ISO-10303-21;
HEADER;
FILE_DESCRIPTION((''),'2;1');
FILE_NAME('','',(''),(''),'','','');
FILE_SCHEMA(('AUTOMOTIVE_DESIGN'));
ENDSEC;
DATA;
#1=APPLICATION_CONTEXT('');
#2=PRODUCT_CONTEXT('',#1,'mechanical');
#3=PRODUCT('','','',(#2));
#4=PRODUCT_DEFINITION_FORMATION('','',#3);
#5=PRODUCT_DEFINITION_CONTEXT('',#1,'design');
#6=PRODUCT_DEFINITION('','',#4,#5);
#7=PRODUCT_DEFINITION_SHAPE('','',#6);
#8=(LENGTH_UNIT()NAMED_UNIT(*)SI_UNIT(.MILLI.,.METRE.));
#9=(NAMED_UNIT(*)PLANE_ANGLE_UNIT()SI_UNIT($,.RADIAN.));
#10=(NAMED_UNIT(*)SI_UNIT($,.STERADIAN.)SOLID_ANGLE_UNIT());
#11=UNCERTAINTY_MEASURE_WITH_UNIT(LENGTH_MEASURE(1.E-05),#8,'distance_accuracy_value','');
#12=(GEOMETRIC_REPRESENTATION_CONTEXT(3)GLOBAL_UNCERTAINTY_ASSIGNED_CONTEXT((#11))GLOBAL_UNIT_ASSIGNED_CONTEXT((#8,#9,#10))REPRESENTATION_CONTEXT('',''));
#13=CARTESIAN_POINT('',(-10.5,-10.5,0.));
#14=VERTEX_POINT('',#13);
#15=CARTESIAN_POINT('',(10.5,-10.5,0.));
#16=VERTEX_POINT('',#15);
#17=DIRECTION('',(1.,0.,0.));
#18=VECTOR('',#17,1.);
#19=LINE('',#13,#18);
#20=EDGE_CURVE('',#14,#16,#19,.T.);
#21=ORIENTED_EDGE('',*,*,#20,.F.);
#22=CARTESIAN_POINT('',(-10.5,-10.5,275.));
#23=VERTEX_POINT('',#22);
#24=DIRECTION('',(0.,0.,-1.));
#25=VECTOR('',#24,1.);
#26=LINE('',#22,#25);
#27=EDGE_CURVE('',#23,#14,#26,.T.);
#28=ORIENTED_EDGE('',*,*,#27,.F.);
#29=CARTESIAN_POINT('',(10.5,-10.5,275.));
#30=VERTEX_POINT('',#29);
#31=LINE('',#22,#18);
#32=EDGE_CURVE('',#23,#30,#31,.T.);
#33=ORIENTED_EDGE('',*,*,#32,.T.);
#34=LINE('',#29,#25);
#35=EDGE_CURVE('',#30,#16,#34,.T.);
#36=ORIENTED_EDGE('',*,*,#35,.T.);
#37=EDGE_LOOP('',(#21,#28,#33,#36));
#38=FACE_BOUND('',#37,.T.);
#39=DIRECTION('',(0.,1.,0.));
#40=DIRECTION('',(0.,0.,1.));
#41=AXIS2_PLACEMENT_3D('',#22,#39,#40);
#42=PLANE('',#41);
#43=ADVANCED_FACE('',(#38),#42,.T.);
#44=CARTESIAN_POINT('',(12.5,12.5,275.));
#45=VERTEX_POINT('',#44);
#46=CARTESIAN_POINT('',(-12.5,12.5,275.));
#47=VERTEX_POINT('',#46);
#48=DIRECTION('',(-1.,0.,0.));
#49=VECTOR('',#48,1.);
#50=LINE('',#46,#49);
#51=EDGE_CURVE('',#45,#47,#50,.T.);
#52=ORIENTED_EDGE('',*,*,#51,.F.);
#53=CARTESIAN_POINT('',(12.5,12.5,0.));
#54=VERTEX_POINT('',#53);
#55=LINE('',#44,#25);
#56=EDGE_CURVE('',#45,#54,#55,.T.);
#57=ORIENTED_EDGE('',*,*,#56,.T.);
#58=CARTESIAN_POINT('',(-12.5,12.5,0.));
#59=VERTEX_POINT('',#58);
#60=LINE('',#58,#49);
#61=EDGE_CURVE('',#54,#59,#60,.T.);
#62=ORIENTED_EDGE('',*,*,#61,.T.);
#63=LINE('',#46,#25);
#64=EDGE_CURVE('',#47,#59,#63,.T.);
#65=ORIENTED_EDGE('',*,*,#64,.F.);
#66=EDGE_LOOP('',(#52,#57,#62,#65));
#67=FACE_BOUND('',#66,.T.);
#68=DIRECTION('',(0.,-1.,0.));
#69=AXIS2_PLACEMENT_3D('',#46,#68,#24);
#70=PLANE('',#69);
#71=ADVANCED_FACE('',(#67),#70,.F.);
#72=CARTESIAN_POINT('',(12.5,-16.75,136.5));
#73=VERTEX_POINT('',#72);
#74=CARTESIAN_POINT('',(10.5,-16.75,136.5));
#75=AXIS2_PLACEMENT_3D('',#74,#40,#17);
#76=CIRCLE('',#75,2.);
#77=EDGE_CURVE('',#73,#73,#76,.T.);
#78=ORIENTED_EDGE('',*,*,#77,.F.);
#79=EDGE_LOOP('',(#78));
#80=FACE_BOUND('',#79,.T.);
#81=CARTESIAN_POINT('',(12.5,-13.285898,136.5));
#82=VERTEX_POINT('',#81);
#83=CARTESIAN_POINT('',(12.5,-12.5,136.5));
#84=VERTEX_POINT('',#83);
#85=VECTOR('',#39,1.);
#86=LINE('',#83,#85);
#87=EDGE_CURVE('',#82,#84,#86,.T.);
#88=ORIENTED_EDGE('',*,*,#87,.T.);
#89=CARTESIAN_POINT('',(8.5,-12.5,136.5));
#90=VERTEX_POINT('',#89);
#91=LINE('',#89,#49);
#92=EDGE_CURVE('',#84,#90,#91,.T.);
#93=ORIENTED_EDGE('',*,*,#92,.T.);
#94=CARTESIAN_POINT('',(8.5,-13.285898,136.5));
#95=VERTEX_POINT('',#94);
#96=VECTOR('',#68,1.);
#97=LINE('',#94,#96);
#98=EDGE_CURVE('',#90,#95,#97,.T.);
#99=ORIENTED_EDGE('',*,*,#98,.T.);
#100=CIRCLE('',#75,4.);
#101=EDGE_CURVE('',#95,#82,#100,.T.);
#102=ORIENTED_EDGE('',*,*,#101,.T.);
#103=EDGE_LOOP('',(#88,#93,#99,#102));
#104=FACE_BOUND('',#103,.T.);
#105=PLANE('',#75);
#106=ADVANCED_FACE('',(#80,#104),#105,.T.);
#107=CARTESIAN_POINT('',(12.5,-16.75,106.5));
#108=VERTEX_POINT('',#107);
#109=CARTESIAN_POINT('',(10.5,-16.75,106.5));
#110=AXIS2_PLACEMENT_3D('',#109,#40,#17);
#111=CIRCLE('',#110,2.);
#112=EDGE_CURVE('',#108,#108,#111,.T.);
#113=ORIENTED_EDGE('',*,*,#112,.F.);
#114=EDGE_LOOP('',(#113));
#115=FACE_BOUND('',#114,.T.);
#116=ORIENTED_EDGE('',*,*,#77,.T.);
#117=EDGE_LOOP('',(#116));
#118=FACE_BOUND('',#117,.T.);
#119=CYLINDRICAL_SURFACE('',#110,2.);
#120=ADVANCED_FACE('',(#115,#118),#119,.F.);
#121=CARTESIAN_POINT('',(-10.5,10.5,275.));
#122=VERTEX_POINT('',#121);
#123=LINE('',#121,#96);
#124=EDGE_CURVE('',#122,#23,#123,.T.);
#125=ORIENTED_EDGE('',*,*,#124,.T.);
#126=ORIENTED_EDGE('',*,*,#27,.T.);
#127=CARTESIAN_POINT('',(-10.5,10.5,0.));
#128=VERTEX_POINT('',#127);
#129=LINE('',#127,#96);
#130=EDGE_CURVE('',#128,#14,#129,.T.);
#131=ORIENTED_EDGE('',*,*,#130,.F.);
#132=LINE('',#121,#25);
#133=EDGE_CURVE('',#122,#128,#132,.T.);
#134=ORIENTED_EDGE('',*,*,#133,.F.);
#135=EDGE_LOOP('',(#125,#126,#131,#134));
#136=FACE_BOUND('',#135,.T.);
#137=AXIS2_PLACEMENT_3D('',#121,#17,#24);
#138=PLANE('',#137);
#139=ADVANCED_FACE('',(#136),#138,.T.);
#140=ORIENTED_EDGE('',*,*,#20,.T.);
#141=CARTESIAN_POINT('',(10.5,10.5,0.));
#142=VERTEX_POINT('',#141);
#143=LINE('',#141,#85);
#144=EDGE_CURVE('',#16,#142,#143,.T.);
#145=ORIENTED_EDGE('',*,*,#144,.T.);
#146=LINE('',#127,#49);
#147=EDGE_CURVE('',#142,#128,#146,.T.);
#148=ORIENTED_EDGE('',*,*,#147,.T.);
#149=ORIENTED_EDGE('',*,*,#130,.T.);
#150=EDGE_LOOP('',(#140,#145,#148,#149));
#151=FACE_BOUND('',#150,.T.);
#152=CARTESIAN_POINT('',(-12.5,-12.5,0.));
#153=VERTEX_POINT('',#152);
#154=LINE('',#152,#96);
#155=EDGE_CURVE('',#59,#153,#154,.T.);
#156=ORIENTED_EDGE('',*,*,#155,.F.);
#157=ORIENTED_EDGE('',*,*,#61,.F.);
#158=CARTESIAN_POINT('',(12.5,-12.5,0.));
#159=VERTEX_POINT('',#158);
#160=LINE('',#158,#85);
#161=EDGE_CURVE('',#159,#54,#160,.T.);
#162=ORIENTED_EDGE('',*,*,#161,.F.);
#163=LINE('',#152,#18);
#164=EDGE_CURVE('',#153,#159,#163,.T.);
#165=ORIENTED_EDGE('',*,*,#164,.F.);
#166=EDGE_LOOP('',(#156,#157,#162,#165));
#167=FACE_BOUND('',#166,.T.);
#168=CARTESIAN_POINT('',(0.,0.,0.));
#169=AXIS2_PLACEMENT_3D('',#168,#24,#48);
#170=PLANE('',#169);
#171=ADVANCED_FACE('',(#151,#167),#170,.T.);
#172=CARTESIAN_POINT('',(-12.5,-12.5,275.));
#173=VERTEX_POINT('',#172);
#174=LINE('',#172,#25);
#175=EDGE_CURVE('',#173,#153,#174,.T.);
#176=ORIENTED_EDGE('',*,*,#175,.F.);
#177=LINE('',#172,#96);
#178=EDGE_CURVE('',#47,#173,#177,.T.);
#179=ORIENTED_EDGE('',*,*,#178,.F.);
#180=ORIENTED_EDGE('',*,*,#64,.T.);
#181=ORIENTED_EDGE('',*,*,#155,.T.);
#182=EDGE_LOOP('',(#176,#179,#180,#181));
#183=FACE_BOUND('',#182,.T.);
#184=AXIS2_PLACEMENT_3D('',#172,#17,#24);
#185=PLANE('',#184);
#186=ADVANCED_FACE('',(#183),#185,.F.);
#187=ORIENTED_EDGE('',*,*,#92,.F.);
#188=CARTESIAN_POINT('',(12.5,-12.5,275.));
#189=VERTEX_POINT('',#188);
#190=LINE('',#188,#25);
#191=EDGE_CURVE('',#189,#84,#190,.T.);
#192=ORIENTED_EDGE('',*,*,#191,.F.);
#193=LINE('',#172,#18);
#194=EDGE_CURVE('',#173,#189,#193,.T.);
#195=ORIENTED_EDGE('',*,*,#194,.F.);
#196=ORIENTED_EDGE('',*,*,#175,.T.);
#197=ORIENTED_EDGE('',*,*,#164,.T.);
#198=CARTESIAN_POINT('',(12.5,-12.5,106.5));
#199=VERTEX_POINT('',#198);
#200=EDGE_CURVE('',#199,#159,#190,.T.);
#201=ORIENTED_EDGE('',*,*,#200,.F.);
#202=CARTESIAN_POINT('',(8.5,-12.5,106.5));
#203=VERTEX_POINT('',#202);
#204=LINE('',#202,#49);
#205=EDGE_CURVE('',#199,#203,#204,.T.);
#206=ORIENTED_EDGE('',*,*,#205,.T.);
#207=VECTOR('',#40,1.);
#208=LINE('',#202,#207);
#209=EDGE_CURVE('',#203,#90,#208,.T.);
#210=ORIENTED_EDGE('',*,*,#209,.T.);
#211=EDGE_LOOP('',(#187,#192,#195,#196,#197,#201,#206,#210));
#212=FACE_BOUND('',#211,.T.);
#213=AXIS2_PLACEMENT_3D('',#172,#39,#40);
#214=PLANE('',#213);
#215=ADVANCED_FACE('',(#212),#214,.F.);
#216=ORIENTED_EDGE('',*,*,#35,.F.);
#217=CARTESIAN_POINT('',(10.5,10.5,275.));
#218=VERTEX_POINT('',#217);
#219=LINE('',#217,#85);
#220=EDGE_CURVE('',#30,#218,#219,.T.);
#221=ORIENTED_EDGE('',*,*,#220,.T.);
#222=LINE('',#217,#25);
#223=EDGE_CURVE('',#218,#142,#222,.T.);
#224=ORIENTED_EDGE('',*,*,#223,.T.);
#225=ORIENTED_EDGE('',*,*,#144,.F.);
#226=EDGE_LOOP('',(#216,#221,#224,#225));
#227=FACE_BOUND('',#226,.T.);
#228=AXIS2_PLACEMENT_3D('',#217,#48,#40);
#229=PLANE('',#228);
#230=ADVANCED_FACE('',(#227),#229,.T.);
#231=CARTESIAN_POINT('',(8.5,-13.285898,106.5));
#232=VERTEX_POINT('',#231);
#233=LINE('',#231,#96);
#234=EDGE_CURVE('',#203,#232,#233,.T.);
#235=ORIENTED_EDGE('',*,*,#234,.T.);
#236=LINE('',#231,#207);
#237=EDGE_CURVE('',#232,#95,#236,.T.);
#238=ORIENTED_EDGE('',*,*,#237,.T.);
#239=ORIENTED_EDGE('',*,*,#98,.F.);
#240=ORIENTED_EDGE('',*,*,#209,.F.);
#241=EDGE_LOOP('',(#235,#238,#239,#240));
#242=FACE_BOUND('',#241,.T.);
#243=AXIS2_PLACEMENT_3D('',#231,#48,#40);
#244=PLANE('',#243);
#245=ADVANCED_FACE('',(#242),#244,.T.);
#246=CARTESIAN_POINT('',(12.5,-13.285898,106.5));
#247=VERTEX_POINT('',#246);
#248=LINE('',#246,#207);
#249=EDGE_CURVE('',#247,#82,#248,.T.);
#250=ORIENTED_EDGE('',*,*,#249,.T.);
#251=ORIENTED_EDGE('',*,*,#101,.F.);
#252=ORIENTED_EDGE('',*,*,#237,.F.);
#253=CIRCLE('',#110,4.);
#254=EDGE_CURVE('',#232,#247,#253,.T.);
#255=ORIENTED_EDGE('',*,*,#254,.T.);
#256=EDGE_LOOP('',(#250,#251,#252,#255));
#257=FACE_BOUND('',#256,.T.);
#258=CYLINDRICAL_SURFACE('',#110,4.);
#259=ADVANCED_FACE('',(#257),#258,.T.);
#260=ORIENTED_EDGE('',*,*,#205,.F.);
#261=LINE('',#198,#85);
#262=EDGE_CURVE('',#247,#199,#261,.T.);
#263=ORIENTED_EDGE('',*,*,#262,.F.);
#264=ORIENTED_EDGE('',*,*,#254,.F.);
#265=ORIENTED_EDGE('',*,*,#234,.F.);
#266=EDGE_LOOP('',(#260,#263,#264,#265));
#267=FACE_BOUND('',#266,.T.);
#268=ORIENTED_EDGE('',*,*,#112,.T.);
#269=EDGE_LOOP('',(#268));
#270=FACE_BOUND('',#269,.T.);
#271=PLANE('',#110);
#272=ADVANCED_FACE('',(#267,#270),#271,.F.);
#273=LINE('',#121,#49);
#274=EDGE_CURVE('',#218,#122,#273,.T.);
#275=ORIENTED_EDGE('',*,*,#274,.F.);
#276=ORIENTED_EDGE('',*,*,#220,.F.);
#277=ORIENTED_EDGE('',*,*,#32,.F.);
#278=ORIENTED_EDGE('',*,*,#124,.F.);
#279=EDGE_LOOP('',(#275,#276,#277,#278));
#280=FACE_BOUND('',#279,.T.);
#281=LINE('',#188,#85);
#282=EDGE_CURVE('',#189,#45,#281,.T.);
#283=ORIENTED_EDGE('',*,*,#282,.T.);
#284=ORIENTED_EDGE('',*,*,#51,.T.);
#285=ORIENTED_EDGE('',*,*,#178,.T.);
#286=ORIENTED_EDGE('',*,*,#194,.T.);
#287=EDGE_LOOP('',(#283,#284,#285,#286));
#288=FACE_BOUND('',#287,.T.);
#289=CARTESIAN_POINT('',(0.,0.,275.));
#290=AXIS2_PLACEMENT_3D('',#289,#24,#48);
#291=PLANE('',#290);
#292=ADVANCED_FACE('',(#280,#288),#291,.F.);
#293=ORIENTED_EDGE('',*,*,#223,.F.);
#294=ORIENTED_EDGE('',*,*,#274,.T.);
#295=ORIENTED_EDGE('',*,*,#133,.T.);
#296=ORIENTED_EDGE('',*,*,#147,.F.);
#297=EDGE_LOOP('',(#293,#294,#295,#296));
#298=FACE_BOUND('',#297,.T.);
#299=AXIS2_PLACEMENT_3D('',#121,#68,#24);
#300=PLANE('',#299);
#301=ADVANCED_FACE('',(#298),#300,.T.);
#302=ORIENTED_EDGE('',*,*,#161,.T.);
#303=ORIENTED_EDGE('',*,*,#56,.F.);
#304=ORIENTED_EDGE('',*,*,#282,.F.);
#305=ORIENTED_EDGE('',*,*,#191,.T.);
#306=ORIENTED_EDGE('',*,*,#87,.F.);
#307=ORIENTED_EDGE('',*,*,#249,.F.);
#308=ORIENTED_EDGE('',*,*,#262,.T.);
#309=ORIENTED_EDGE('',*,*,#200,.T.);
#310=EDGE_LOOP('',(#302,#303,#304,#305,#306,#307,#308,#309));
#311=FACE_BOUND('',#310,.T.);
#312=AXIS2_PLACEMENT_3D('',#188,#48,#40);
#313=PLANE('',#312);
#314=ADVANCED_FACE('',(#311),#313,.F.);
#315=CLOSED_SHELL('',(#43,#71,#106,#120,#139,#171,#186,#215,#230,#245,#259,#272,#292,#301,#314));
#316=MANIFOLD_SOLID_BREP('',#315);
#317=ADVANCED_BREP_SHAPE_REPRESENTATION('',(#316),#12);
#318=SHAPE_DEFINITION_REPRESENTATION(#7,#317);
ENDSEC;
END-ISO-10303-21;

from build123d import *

# Parameters (mm, degrees)
SKETCH1_W           = 25
SKETCH1_H           = 25
SKETCH1_W_2         = 21
SKETCH1_H_2         = 21
BOSS_EXTRUDE1_DEPTH = 275
SKETCH2_R           = 2
BOSS_EXTRUDE2_DEPTH = 30


with BuildPart() as part:
    # Sketch1 → Boss-Extrude1 (new body)
    with BuildSketch(Plane.XY):
        Rectangle(SKETCH1_W, SKETCH1_H)
        Rectangle(SKETCH1_W_2, SKETCH1_H_2, mode=Mode.SUBTRACT)
    extrude(amount=BOSS_EXTRUDE1_DEPTH)

    # Sketch2 → Boss-Extrude2 (add)
    with BuildSketch(Plane.XY.offset(136.5)):
        with BuildLine():
            Line((12.5, -12.5), (12.5, -13.285898385))
            ThreePointArc((12.5, -13.285898385), (10.5, -20.75), (8.5, -13.285898385))
            Line((8.5, -13.285898385), (8.5, -12.5))
            Line((8.5, -12.5), (12.5, -12.5))
        make_face()
        with Locations((10.5, -16.75)):
            Circle(SKETCH2_R, mode=Mode.SUBTRACT)
    extrude(amount=-BOSS_EXTRUDE2_DEPTH)


solid = part.part
